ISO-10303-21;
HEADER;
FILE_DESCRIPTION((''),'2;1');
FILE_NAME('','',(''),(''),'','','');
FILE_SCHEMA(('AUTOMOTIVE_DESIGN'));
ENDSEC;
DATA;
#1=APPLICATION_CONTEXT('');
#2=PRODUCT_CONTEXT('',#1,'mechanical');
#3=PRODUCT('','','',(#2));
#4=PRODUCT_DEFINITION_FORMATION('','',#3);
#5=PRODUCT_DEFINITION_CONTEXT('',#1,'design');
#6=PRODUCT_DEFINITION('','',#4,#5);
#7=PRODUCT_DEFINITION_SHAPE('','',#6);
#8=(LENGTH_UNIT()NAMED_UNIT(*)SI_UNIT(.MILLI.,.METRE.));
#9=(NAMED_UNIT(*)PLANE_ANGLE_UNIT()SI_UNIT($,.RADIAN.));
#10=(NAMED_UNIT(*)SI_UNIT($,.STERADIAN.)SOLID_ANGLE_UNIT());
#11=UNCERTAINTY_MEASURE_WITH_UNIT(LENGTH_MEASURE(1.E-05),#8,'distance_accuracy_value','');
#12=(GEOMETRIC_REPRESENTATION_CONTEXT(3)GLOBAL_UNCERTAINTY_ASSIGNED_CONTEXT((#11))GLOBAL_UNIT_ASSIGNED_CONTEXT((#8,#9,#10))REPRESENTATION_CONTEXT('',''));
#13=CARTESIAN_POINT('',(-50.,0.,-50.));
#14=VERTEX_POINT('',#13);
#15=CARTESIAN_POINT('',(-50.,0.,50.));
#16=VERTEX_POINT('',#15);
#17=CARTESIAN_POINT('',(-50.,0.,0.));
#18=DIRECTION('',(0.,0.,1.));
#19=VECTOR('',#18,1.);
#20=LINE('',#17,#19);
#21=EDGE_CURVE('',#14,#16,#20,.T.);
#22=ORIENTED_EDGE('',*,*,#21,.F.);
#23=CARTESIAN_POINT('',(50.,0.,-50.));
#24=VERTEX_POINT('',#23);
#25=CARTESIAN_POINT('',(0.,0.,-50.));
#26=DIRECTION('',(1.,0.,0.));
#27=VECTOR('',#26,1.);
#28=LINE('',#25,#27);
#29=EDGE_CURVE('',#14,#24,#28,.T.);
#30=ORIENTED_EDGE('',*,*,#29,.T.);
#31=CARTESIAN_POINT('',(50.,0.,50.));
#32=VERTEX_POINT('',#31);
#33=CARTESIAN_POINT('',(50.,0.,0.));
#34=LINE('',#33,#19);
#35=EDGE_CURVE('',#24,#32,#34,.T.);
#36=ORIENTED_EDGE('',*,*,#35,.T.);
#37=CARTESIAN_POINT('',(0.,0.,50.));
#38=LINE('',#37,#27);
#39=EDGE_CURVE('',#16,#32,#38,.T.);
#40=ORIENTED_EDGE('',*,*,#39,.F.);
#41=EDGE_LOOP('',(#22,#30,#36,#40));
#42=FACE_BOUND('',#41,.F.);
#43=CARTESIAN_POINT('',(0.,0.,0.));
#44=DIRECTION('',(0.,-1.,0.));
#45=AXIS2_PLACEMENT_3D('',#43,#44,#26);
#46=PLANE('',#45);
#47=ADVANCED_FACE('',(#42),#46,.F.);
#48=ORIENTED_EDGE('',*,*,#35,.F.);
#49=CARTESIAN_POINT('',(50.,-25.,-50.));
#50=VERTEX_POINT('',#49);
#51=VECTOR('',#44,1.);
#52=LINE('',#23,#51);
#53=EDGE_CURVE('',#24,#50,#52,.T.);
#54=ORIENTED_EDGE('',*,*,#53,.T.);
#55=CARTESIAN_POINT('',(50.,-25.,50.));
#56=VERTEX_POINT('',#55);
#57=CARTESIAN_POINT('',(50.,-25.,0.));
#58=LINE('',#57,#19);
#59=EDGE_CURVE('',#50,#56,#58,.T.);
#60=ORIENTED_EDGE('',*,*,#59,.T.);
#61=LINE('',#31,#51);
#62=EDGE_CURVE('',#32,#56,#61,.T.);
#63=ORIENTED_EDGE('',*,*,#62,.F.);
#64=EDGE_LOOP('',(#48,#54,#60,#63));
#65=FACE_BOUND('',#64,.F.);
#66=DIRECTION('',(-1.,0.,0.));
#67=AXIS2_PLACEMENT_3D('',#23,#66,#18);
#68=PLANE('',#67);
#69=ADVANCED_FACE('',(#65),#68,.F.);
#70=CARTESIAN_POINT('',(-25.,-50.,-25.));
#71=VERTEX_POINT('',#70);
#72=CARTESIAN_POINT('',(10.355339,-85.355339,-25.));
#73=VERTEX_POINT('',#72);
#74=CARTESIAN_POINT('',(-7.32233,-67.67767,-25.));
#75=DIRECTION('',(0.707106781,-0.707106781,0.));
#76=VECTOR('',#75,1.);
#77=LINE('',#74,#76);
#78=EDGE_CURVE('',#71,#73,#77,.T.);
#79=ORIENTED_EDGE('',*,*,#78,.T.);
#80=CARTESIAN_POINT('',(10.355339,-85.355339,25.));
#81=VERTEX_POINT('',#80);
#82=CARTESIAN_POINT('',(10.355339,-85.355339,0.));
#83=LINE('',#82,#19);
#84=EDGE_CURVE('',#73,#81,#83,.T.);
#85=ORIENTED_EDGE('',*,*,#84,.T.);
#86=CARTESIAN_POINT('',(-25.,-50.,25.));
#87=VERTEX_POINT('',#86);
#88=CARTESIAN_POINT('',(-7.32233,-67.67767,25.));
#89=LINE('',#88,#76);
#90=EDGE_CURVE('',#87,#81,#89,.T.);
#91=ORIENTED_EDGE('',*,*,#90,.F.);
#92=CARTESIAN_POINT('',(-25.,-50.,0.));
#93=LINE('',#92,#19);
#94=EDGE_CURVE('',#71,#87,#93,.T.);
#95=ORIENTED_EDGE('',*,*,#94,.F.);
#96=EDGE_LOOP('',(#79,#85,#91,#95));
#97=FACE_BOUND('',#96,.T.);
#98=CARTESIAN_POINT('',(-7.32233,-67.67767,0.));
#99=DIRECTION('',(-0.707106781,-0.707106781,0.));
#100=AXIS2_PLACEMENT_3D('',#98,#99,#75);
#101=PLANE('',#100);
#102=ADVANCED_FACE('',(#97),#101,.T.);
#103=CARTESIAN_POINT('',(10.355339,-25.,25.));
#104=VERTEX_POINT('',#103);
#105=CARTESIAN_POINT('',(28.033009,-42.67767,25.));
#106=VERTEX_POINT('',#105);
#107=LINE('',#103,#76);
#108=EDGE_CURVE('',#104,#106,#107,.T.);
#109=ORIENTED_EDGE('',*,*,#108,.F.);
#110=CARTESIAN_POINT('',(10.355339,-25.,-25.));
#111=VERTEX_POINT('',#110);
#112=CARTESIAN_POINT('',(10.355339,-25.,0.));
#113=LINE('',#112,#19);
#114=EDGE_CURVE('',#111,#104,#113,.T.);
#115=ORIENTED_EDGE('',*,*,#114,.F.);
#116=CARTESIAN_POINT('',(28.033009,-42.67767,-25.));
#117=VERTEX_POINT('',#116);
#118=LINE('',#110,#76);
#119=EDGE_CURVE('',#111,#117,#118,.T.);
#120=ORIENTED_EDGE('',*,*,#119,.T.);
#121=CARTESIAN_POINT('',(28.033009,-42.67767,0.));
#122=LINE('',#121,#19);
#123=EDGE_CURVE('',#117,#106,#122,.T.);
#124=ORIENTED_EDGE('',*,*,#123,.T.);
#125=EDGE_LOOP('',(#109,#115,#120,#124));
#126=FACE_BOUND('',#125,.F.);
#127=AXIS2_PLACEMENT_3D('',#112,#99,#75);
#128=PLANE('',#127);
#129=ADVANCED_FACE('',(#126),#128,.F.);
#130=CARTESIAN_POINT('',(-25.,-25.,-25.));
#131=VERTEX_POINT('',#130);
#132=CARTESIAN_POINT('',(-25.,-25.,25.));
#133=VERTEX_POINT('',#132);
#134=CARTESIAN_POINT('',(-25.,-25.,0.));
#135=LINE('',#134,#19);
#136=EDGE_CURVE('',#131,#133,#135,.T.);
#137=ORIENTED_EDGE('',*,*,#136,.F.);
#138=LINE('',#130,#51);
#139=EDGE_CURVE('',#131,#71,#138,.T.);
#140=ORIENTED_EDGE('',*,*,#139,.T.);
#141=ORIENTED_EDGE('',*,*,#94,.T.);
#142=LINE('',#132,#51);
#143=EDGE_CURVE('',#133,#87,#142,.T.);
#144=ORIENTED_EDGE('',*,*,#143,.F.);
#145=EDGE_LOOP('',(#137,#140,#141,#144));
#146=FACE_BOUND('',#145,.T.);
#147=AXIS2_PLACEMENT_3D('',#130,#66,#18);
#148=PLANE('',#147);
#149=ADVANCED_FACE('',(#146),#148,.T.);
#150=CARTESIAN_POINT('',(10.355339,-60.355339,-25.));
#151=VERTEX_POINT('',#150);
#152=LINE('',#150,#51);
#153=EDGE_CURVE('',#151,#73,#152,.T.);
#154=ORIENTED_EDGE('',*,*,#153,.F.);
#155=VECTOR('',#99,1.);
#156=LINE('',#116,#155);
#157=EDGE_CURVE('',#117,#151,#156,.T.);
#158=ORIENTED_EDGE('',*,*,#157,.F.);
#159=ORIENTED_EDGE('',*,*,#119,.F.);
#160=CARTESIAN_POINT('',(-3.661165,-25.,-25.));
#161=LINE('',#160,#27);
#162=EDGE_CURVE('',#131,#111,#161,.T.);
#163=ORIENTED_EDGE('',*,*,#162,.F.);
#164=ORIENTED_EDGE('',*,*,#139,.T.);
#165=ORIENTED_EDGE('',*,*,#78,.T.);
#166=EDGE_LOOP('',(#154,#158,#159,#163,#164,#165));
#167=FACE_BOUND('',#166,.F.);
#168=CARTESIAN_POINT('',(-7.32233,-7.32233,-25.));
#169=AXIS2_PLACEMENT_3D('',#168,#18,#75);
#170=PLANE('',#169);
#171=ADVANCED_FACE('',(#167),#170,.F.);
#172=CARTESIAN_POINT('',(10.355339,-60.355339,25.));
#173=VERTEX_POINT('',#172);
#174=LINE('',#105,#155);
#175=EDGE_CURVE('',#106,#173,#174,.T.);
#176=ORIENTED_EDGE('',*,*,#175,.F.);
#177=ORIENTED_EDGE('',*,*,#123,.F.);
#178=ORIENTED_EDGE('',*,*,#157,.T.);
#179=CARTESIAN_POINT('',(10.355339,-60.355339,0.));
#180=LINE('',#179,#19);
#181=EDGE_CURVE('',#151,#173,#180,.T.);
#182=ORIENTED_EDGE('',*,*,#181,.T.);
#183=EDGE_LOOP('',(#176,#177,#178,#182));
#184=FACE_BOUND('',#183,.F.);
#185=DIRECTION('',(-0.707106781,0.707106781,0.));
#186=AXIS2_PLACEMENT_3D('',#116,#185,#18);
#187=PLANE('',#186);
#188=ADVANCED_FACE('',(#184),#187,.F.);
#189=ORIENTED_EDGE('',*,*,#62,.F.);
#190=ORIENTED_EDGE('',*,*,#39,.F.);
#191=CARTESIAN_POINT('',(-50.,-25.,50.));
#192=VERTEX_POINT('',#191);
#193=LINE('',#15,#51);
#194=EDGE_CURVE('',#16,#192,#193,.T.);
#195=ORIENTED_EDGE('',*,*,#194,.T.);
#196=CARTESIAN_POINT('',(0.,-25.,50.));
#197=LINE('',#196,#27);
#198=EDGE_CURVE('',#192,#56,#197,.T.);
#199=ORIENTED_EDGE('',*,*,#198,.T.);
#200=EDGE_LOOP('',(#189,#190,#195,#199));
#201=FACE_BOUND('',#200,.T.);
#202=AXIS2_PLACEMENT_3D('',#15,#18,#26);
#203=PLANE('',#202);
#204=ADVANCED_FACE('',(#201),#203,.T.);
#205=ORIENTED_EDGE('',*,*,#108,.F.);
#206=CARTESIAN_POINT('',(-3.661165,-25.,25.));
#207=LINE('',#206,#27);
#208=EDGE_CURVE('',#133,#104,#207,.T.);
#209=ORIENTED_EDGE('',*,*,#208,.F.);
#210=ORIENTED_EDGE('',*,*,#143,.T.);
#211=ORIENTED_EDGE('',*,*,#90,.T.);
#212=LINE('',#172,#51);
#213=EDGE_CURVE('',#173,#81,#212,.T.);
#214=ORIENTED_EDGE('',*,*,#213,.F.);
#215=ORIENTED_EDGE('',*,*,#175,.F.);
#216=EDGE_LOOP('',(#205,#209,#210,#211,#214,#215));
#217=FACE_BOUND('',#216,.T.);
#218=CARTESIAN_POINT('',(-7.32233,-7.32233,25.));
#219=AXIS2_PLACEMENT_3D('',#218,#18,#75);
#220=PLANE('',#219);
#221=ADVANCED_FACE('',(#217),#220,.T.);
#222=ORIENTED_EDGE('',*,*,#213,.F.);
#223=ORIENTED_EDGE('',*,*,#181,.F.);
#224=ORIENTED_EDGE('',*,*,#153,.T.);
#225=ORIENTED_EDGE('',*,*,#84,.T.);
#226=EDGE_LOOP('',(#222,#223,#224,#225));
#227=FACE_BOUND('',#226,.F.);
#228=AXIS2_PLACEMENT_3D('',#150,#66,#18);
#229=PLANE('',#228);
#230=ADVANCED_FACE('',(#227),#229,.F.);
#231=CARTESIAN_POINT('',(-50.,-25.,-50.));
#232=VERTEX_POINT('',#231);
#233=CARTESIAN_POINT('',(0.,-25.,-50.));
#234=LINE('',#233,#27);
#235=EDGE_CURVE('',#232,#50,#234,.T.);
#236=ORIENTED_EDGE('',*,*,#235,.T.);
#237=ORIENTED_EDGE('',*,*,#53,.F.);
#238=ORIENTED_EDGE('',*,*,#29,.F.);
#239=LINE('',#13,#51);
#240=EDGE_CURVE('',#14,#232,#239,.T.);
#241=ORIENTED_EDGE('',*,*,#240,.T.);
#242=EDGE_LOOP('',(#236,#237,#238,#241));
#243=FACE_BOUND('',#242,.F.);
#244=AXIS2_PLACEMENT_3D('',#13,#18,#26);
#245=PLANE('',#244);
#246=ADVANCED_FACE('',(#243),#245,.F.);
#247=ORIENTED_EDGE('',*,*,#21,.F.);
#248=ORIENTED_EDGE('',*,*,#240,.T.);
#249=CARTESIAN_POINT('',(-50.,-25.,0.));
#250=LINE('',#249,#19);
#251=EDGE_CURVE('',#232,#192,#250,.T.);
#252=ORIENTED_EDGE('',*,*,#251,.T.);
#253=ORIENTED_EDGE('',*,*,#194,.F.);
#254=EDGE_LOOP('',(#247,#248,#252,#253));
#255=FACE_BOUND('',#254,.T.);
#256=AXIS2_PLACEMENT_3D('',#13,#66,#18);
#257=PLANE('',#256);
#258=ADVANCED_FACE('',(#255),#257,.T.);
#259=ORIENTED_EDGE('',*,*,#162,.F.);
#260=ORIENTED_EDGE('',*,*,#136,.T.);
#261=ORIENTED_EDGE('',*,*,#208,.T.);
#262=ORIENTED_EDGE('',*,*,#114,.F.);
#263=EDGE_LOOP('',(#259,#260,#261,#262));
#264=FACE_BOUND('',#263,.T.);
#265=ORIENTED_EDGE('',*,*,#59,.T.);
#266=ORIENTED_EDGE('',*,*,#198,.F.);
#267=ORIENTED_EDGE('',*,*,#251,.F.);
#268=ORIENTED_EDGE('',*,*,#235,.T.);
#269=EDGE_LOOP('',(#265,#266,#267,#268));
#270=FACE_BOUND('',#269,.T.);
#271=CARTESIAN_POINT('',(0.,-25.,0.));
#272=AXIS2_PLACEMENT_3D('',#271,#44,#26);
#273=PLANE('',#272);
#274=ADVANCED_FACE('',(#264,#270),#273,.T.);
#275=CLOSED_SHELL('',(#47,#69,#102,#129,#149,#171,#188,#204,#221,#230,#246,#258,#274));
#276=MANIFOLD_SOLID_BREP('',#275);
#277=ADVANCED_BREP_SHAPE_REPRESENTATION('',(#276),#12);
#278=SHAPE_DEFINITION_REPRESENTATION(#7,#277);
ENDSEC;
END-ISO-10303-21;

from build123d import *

# Parameters (mm, degrees)
F1_W      = 50
F1_H      = 50
F2_DEPTH  = 25
F3_ANGLE  = 45
F0_W      = 100
F0_H      = 100
F2_FACE_W = 50
F2_FACE_H = 50
F4_DEPTH  = 25


with BuildPart() as f2:
    # F1 (on Front) → F2 (new body)
    with BuildSketch(Plane.XZ):
        Rectangle(F1_W, F1_H)
    extrude(amount=F2_DEPTH)


with BuildPart() as f2_1:
    # F3: moved
    add(f2.part.rotate(Axis((-25, -25, 0), (0, 0, -1)), F3_ANGLE))

    # F0 (on Front) + F2_face (on face) → F4 (join)
    with BuildSketch(Plane.XZ):
        Rectangle(F0_W, F0_H)
    with BuildSketch(Plane(origin=(-7.3223304703, -42.6776695297, 0), x_dir=(0.7071067812, -0.7071067812, 0), z_dir=(-0.7071067812, -0.7071067812, 0))):
        Rectangle(F2_FACE_W, F2_FACE_H)
    extrude(amount=F4_DEPTH, dir=(0, -1, 0))


solid = f2_1.part
